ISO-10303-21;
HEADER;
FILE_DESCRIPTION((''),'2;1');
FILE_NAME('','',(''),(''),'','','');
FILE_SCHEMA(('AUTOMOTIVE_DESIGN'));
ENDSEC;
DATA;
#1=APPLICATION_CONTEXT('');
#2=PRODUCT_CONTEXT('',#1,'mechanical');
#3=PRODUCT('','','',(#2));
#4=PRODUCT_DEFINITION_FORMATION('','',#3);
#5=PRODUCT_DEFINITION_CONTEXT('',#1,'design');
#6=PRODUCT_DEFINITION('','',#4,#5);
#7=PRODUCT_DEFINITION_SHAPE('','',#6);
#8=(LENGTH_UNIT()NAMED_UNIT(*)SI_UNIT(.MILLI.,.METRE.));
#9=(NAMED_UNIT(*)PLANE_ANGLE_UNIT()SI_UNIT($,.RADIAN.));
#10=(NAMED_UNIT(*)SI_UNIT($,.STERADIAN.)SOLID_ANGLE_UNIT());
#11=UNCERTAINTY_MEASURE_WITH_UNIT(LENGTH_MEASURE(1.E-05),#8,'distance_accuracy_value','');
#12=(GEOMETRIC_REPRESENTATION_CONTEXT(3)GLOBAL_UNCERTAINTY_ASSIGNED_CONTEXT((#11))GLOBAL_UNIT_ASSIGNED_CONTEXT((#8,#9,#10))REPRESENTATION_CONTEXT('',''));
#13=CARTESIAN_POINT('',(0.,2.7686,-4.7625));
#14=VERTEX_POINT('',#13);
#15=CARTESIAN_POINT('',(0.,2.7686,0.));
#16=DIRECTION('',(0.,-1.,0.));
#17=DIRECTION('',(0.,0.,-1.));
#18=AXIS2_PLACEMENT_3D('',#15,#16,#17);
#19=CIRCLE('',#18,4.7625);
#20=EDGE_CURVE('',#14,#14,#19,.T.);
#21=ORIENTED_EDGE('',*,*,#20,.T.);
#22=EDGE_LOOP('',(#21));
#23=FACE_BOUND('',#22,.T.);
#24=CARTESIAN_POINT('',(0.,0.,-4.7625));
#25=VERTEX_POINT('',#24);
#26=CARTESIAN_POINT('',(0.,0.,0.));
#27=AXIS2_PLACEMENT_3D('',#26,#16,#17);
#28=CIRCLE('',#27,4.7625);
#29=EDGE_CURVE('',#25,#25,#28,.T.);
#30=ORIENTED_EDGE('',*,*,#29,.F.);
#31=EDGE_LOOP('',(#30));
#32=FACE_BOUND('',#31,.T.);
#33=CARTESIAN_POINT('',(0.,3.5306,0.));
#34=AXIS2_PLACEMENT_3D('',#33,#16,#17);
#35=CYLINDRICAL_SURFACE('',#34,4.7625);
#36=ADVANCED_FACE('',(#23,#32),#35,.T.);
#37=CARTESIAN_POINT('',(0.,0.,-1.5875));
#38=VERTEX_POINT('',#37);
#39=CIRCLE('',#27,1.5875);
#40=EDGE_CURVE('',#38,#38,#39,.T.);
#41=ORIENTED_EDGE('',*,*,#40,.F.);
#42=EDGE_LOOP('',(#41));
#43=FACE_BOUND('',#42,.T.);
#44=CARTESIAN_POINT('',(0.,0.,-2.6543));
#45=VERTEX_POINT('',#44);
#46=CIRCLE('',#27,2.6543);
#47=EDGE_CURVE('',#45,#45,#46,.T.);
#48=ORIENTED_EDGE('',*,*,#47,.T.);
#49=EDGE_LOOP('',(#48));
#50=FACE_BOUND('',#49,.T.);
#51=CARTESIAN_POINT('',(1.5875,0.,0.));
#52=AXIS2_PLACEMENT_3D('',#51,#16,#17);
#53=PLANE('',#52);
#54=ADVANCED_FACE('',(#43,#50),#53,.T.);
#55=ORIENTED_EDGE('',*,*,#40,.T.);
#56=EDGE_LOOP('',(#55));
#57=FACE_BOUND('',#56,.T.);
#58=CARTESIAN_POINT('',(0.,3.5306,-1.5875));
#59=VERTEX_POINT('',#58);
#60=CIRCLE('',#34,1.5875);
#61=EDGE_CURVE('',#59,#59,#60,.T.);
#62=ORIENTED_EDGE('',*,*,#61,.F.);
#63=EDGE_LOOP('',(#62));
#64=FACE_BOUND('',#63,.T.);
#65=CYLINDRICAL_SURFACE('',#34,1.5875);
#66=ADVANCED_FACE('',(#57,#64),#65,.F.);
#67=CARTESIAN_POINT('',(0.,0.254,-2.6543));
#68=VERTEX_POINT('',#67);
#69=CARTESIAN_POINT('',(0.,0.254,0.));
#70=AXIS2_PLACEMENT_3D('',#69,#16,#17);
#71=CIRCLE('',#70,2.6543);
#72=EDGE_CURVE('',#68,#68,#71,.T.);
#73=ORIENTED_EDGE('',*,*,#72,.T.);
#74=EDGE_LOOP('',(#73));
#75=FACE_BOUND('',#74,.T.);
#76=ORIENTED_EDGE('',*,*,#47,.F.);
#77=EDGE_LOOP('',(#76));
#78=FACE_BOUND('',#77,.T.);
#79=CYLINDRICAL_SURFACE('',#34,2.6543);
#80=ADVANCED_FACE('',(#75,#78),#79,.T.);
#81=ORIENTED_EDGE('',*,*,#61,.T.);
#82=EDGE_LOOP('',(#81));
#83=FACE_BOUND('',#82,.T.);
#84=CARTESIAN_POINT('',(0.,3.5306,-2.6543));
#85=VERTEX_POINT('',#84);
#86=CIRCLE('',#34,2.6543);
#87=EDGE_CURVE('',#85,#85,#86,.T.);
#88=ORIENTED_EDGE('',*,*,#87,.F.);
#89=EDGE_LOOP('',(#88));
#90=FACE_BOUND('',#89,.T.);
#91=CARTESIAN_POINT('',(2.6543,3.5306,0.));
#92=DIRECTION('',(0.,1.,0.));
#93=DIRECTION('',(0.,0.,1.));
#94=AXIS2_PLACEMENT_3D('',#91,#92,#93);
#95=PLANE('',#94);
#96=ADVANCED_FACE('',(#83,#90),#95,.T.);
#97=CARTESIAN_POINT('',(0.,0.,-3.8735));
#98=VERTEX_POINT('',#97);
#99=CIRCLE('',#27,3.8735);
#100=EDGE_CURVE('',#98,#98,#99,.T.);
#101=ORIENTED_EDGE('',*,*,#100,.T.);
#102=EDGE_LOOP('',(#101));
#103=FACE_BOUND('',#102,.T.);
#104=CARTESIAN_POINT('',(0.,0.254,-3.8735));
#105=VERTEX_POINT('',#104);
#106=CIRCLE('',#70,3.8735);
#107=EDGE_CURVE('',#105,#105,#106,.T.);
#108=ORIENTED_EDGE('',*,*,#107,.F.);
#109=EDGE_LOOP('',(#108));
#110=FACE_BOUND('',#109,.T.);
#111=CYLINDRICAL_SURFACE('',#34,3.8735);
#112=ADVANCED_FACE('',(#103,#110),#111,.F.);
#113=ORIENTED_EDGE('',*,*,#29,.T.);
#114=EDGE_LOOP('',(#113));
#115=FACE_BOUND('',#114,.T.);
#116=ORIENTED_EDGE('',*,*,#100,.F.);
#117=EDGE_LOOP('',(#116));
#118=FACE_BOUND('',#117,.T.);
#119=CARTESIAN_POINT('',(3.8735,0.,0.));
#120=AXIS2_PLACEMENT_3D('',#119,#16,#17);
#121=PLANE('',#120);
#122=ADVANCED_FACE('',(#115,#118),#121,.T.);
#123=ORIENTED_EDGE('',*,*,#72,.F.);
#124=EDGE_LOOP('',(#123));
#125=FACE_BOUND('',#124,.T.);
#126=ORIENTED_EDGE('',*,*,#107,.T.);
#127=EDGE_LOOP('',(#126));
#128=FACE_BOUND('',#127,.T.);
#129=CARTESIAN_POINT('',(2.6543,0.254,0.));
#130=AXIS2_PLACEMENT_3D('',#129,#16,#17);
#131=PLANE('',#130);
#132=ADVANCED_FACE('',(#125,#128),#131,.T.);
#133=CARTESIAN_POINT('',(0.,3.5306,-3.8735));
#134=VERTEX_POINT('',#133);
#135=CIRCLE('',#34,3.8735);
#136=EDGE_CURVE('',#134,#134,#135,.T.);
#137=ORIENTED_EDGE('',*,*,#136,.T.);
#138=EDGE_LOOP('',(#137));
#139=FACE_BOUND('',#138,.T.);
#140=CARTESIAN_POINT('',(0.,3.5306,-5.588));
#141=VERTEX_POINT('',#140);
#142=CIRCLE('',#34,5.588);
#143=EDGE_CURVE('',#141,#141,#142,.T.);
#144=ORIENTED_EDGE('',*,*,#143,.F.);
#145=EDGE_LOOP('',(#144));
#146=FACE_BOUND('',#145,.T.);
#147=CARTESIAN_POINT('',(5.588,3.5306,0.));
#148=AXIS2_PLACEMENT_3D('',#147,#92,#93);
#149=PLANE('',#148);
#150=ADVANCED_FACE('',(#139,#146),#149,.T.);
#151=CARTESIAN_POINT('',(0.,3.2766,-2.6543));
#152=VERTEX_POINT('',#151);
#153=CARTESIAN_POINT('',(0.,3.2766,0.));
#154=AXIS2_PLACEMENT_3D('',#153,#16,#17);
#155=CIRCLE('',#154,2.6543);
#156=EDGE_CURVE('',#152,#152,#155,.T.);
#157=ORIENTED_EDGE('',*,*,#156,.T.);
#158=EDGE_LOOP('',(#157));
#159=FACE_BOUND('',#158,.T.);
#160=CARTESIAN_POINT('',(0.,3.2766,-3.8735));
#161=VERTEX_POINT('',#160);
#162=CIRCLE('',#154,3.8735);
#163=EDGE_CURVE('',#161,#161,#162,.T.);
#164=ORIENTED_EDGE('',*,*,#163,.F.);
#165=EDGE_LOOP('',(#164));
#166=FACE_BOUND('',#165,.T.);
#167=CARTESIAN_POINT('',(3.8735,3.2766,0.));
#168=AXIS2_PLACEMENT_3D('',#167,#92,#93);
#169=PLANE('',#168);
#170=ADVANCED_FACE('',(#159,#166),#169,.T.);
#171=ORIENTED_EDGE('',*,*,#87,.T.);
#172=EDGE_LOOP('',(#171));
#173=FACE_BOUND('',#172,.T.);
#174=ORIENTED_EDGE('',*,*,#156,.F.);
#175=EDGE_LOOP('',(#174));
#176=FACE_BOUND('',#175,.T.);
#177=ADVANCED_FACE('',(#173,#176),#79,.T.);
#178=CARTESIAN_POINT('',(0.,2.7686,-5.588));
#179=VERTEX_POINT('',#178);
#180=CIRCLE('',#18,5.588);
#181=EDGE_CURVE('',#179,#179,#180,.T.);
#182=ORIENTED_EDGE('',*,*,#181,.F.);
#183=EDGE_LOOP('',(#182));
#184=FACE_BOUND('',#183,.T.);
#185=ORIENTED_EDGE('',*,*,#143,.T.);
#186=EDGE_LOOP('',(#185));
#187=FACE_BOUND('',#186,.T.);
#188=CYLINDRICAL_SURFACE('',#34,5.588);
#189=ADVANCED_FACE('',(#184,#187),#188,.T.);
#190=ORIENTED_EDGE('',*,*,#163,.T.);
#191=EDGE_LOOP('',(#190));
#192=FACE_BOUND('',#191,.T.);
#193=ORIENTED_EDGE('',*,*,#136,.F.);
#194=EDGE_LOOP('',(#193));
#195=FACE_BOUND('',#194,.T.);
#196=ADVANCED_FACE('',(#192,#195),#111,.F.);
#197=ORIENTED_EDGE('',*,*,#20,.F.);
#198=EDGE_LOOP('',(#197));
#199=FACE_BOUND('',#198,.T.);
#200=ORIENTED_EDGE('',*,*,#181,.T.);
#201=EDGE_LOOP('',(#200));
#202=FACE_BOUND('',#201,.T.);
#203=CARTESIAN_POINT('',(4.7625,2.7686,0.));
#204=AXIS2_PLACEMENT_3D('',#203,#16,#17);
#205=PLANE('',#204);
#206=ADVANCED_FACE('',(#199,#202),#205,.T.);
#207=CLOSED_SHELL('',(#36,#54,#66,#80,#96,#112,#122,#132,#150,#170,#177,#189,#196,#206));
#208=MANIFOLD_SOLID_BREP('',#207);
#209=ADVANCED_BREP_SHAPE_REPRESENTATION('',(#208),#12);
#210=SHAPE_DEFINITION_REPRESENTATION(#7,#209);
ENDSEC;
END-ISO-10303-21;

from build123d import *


with BuildPart() as part:
    # Sketch1 → Revolve1 (revolve)
    with BuildSketch(Plane.XY):
        Polygon((2.6543, 0), (2.6543, 0.254), (3.8735, 0.254), (3.8735, 0), (4.7625, 0), (4.7625, 2.7686), (5.588, 2.7686), (5.588, 3.5306), (3.8735, 3.5306), (3.8735, 3.2766), (2.6543, 3.2766), (2.6543, 3.5306), (1.5875, 3.5306), (1.5875, 0), align=None)
    revolve(axis=Axis((0, 3.5306, 0), (0, -1, 0)))


solid = part.part
